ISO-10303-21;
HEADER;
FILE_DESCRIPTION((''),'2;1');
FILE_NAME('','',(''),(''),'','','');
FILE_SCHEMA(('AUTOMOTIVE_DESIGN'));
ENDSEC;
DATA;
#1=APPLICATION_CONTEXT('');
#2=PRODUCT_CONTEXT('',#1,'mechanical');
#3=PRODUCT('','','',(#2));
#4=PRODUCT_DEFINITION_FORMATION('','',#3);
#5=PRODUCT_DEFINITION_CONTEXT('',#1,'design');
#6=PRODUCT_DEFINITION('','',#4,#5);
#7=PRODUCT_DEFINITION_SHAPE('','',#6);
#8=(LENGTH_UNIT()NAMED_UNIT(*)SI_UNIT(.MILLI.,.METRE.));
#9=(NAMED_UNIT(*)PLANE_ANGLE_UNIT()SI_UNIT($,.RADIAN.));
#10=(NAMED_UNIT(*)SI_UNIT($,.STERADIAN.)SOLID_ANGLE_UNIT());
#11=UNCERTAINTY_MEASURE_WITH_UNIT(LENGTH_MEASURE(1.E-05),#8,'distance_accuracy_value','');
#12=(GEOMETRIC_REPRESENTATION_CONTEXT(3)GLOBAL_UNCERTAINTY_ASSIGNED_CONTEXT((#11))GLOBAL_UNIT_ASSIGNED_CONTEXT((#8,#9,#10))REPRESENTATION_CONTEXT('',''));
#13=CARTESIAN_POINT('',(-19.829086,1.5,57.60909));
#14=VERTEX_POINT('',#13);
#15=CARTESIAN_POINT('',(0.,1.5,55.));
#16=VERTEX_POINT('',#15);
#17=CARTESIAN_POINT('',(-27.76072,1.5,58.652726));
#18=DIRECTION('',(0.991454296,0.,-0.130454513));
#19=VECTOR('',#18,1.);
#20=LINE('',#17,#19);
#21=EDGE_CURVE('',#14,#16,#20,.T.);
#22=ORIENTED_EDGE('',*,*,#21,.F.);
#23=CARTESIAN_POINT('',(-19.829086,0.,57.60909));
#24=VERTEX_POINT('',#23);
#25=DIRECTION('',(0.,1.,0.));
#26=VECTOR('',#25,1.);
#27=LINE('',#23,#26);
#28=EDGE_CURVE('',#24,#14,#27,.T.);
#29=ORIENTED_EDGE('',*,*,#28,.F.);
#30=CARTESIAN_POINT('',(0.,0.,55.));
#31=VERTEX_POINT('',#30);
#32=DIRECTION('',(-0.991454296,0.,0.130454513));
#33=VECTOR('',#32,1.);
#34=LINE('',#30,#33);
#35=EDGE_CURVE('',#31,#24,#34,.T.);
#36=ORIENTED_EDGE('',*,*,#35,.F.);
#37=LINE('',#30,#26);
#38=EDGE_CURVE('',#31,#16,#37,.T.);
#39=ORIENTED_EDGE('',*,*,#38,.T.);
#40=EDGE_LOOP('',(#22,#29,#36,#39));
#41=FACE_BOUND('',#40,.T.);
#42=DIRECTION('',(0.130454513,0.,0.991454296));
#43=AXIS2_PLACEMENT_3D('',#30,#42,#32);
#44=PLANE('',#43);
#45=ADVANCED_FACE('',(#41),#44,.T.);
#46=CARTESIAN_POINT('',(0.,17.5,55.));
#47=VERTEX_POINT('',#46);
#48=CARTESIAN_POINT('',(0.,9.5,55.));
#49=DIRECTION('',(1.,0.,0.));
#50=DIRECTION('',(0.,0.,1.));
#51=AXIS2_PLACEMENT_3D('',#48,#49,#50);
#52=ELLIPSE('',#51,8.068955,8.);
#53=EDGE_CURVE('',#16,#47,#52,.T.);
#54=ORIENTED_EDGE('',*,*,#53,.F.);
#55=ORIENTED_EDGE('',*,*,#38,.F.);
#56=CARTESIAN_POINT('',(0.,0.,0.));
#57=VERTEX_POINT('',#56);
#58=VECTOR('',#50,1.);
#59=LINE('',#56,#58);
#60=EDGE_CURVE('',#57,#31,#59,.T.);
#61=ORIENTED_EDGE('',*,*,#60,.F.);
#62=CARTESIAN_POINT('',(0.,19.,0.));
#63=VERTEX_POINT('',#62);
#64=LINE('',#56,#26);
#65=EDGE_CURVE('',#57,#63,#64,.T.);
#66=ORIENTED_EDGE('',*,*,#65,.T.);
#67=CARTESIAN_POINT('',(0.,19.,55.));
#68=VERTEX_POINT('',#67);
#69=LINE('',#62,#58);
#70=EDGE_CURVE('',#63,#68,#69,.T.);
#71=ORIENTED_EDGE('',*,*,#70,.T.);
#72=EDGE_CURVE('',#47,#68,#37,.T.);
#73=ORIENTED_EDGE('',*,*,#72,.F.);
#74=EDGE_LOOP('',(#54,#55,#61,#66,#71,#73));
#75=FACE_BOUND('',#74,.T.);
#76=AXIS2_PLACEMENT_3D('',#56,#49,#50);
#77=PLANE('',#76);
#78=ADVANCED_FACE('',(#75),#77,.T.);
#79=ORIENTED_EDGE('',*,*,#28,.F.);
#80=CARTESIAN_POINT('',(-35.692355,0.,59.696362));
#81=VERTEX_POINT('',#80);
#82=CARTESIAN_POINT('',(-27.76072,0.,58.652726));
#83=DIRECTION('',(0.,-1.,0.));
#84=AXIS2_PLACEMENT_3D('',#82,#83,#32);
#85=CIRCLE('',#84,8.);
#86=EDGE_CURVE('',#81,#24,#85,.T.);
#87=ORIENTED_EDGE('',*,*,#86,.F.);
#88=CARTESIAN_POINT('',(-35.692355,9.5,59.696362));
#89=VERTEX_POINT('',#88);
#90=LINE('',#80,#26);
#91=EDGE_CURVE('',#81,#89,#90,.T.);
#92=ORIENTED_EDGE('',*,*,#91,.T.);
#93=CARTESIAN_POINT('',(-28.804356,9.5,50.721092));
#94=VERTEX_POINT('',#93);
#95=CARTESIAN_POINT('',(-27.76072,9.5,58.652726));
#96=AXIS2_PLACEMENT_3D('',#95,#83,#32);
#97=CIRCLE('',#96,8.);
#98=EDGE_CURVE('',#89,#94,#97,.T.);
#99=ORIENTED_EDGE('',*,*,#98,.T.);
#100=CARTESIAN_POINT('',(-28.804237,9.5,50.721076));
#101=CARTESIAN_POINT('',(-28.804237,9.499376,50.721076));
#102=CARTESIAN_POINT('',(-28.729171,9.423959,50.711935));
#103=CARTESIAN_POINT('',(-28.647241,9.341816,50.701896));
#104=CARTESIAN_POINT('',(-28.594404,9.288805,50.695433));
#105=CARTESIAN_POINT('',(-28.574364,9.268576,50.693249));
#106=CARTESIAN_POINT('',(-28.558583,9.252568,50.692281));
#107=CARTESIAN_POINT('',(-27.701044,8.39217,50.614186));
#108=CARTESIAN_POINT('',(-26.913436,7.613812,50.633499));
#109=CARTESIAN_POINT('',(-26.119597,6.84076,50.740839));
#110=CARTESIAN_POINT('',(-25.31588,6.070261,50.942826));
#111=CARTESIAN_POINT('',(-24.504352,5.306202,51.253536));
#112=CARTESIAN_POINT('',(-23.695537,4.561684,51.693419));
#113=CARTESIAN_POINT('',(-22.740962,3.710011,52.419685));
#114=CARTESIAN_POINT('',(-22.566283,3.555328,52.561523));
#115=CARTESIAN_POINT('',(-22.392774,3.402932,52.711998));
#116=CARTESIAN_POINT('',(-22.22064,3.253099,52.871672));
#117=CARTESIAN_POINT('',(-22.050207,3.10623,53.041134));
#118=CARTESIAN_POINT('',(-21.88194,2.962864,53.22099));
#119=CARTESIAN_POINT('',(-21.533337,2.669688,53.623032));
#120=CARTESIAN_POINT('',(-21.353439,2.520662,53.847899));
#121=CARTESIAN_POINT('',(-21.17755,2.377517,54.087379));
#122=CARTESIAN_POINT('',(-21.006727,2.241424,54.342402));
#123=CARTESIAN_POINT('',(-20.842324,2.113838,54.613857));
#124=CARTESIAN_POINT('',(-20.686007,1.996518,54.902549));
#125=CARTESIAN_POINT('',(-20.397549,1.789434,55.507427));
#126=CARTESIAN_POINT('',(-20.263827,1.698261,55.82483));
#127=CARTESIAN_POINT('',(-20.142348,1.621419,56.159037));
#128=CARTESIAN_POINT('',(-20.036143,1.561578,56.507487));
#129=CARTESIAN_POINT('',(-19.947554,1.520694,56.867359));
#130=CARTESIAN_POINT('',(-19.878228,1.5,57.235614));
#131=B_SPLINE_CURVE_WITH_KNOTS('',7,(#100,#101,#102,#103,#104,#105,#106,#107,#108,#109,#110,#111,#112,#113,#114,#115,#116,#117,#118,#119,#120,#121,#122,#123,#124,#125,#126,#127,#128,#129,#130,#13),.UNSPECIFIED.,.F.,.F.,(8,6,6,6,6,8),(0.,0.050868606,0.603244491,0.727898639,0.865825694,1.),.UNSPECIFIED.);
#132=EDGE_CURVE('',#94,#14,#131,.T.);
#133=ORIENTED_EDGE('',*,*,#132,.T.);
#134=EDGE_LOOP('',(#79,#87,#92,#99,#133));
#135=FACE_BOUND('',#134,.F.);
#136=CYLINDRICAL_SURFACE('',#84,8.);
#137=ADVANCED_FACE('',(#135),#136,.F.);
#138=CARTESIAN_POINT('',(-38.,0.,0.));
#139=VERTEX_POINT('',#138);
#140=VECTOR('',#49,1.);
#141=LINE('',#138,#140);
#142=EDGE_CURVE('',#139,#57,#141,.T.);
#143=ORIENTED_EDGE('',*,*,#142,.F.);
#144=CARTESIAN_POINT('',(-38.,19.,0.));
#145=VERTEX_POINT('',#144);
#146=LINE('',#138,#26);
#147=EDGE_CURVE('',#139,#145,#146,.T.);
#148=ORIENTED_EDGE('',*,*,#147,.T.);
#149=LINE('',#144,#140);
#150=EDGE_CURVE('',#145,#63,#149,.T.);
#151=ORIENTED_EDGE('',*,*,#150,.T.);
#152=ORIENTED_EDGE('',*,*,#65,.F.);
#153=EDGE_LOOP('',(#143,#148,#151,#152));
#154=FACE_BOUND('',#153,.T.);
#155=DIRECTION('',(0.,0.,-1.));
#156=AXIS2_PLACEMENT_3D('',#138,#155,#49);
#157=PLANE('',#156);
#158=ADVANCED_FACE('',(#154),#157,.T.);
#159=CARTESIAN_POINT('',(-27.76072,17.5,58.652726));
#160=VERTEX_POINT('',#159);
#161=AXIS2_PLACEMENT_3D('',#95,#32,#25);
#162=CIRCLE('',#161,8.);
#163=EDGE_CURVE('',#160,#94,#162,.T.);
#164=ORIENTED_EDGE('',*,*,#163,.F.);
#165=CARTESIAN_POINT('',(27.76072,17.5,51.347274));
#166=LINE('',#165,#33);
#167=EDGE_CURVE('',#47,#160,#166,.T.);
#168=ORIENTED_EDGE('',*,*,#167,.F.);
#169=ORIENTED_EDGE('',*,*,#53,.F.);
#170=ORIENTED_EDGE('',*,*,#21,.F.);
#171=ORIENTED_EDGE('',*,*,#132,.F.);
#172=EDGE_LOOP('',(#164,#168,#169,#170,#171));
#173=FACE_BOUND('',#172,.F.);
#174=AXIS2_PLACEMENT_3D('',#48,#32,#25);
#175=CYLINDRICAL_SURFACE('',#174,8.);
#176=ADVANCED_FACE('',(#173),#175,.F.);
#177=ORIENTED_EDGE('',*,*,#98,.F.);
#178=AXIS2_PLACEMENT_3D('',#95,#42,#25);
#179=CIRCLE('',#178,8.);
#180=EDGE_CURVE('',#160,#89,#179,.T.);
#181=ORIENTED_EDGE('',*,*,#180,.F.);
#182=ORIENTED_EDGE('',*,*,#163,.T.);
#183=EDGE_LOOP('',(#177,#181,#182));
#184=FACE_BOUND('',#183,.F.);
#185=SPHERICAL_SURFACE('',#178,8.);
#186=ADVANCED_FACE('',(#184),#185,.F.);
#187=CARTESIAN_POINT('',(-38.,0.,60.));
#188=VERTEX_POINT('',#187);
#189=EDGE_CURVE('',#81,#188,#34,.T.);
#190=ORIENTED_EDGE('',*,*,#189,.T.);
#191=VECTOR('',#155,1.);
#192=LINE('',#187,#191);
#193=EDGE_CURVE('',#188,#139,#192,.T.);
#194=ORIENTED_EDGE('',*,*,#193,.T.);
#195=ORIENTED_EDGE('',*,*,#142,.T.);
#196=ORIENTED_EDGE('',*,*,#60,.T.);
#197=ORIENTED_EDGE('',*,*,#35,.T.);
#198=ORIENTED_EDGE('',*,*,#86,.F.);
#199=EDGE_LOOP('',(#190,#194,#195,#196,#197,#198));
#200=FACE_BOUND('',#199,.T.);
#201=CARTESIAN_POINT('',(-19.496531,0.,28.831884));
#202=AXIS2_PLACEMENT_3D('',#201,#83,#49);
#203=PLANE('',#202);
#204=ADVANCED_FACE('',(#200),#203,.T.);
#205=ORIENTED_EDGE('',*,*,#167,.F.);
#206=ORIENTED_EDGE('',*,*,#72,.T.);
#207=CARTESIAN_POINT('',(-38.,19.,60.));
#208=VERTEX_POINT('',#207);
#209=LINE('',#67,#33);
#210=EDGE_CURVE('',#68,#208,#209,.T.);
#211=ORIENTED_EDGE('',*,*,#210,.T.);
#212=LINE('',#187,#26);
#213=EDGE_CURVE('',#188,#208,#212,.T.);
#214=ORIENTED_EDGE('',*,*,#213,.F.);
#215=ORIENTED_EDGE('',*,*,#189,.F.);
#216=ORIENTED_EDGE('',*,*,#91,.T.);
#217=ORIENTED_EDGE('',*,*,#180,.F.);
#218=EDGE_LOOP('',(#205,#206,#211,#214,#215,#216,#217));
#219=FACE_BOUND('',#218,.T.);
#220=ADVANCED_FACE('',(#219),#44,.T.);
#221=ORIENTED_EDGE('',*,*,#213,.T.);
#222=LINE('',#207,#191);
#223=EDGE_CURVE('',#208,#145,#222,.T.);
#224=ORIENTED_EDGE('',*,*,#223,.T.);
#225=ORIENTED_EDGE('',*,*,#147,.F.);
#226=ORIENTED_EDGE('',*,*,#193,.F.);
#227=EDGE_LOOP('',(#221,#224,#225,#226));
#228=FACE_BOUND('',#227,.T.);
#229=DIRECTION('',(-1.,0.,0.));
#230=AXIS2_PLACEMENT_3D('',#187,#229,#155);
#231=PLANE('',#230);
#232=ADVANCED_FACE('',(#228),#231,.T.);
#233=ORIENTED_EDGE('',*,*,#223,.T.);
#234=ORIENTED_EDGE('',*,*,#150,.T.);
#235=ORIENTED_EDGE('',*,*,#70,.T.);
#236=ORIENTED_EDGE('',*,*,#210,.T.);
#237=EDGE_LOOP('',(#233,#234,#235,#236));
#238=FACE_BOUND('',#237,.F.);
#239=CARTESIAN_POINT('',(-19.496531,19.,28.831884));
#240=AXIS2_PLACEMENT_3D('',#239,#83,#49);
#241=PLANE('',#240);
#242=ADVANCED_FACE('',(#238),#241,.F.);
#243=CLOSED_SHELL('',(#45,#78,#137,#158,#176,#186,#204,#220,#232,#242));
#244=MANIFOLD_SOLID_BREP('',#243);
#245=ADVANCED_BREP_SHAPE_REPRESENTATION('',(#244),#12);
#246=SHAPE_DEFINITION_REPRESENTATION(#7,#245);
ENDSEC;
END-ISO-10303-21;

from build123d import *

# Parameters (mm, degrees)
F1_DEPTH = 19
F4_DEPTH = 28
F9_DEPTH = 9.5


with BuildPart() as f1:
    # F0 (on Front) → F1 (new body)
    with BuildSketch(Plane.XZ):
        Polygon((-38, 0), (0, 0), (0, 55), (-38, 60), align=None)
    extrude(amount=-F1_DEPTH)

    # F3 (on 3pt) → F4 (cut, symmetric)
    with BuildSketch(Plane(origin=(-7.1136827774, 0, 0.9360108918), x_dir=(0, -1, 0), z_dir=(-0.9914542955, 0, 0.1304545126))):
        with BuildLine():
            Line((-1.5, 54.5299862548), (-17.5, 54.5299862548))
            ThreePointArc((-17.5, 54.5299862548), (-9.5, 46.5299862548), (-1.5, 54.5299862548))
        make_face()
    extrude(amount=F4_DEPTH, both=True, mode=Mode.SUBTRACT)

    # F6 (on offset) → F7 (revolve, cut)
    with BuildSketch(Plane(origin=(-34.8744030526, 0, 4.5887372438), x_dir=(0, 1, 0), z_dir=(0.9914542955, 0, -0.1304545126))):
        with BuildLine():
            ThreePointArc((9.5, 46.5299862548), (15.1568542495, 48.8731320053), (17.5, 54.5299862548))
            Line((17.5, 54.5299862548), (9.5, 54.5299862548))
            Line((9.5, 54.5299862548), (9.5, 46.5299862548))
        make_face()
    revolve(axis=Axis((-28.2825383255, 9.5, 54.6869091698), (0.1304545126, 0, 0.9914542955)), mode=Mode.SUBTRACT)

    # F8 (on Front) → F9 (cut)
    with BuildSketch(Plane.XZ):
        with BuildLine():
            ThreePointArc((-35.6923546395, 59.6963624526), (-28.8043563758, 50.7210919877), (-19.8290859109, 57.6090902514))
            Line((-19.8290859109, 57.6090902514), (-35.6923546395, 59.6963624526))
        make_face()
    extrude(amount=-F9_DEPTH, mode=Mode.SUBTRACT)


solid = f1.part
